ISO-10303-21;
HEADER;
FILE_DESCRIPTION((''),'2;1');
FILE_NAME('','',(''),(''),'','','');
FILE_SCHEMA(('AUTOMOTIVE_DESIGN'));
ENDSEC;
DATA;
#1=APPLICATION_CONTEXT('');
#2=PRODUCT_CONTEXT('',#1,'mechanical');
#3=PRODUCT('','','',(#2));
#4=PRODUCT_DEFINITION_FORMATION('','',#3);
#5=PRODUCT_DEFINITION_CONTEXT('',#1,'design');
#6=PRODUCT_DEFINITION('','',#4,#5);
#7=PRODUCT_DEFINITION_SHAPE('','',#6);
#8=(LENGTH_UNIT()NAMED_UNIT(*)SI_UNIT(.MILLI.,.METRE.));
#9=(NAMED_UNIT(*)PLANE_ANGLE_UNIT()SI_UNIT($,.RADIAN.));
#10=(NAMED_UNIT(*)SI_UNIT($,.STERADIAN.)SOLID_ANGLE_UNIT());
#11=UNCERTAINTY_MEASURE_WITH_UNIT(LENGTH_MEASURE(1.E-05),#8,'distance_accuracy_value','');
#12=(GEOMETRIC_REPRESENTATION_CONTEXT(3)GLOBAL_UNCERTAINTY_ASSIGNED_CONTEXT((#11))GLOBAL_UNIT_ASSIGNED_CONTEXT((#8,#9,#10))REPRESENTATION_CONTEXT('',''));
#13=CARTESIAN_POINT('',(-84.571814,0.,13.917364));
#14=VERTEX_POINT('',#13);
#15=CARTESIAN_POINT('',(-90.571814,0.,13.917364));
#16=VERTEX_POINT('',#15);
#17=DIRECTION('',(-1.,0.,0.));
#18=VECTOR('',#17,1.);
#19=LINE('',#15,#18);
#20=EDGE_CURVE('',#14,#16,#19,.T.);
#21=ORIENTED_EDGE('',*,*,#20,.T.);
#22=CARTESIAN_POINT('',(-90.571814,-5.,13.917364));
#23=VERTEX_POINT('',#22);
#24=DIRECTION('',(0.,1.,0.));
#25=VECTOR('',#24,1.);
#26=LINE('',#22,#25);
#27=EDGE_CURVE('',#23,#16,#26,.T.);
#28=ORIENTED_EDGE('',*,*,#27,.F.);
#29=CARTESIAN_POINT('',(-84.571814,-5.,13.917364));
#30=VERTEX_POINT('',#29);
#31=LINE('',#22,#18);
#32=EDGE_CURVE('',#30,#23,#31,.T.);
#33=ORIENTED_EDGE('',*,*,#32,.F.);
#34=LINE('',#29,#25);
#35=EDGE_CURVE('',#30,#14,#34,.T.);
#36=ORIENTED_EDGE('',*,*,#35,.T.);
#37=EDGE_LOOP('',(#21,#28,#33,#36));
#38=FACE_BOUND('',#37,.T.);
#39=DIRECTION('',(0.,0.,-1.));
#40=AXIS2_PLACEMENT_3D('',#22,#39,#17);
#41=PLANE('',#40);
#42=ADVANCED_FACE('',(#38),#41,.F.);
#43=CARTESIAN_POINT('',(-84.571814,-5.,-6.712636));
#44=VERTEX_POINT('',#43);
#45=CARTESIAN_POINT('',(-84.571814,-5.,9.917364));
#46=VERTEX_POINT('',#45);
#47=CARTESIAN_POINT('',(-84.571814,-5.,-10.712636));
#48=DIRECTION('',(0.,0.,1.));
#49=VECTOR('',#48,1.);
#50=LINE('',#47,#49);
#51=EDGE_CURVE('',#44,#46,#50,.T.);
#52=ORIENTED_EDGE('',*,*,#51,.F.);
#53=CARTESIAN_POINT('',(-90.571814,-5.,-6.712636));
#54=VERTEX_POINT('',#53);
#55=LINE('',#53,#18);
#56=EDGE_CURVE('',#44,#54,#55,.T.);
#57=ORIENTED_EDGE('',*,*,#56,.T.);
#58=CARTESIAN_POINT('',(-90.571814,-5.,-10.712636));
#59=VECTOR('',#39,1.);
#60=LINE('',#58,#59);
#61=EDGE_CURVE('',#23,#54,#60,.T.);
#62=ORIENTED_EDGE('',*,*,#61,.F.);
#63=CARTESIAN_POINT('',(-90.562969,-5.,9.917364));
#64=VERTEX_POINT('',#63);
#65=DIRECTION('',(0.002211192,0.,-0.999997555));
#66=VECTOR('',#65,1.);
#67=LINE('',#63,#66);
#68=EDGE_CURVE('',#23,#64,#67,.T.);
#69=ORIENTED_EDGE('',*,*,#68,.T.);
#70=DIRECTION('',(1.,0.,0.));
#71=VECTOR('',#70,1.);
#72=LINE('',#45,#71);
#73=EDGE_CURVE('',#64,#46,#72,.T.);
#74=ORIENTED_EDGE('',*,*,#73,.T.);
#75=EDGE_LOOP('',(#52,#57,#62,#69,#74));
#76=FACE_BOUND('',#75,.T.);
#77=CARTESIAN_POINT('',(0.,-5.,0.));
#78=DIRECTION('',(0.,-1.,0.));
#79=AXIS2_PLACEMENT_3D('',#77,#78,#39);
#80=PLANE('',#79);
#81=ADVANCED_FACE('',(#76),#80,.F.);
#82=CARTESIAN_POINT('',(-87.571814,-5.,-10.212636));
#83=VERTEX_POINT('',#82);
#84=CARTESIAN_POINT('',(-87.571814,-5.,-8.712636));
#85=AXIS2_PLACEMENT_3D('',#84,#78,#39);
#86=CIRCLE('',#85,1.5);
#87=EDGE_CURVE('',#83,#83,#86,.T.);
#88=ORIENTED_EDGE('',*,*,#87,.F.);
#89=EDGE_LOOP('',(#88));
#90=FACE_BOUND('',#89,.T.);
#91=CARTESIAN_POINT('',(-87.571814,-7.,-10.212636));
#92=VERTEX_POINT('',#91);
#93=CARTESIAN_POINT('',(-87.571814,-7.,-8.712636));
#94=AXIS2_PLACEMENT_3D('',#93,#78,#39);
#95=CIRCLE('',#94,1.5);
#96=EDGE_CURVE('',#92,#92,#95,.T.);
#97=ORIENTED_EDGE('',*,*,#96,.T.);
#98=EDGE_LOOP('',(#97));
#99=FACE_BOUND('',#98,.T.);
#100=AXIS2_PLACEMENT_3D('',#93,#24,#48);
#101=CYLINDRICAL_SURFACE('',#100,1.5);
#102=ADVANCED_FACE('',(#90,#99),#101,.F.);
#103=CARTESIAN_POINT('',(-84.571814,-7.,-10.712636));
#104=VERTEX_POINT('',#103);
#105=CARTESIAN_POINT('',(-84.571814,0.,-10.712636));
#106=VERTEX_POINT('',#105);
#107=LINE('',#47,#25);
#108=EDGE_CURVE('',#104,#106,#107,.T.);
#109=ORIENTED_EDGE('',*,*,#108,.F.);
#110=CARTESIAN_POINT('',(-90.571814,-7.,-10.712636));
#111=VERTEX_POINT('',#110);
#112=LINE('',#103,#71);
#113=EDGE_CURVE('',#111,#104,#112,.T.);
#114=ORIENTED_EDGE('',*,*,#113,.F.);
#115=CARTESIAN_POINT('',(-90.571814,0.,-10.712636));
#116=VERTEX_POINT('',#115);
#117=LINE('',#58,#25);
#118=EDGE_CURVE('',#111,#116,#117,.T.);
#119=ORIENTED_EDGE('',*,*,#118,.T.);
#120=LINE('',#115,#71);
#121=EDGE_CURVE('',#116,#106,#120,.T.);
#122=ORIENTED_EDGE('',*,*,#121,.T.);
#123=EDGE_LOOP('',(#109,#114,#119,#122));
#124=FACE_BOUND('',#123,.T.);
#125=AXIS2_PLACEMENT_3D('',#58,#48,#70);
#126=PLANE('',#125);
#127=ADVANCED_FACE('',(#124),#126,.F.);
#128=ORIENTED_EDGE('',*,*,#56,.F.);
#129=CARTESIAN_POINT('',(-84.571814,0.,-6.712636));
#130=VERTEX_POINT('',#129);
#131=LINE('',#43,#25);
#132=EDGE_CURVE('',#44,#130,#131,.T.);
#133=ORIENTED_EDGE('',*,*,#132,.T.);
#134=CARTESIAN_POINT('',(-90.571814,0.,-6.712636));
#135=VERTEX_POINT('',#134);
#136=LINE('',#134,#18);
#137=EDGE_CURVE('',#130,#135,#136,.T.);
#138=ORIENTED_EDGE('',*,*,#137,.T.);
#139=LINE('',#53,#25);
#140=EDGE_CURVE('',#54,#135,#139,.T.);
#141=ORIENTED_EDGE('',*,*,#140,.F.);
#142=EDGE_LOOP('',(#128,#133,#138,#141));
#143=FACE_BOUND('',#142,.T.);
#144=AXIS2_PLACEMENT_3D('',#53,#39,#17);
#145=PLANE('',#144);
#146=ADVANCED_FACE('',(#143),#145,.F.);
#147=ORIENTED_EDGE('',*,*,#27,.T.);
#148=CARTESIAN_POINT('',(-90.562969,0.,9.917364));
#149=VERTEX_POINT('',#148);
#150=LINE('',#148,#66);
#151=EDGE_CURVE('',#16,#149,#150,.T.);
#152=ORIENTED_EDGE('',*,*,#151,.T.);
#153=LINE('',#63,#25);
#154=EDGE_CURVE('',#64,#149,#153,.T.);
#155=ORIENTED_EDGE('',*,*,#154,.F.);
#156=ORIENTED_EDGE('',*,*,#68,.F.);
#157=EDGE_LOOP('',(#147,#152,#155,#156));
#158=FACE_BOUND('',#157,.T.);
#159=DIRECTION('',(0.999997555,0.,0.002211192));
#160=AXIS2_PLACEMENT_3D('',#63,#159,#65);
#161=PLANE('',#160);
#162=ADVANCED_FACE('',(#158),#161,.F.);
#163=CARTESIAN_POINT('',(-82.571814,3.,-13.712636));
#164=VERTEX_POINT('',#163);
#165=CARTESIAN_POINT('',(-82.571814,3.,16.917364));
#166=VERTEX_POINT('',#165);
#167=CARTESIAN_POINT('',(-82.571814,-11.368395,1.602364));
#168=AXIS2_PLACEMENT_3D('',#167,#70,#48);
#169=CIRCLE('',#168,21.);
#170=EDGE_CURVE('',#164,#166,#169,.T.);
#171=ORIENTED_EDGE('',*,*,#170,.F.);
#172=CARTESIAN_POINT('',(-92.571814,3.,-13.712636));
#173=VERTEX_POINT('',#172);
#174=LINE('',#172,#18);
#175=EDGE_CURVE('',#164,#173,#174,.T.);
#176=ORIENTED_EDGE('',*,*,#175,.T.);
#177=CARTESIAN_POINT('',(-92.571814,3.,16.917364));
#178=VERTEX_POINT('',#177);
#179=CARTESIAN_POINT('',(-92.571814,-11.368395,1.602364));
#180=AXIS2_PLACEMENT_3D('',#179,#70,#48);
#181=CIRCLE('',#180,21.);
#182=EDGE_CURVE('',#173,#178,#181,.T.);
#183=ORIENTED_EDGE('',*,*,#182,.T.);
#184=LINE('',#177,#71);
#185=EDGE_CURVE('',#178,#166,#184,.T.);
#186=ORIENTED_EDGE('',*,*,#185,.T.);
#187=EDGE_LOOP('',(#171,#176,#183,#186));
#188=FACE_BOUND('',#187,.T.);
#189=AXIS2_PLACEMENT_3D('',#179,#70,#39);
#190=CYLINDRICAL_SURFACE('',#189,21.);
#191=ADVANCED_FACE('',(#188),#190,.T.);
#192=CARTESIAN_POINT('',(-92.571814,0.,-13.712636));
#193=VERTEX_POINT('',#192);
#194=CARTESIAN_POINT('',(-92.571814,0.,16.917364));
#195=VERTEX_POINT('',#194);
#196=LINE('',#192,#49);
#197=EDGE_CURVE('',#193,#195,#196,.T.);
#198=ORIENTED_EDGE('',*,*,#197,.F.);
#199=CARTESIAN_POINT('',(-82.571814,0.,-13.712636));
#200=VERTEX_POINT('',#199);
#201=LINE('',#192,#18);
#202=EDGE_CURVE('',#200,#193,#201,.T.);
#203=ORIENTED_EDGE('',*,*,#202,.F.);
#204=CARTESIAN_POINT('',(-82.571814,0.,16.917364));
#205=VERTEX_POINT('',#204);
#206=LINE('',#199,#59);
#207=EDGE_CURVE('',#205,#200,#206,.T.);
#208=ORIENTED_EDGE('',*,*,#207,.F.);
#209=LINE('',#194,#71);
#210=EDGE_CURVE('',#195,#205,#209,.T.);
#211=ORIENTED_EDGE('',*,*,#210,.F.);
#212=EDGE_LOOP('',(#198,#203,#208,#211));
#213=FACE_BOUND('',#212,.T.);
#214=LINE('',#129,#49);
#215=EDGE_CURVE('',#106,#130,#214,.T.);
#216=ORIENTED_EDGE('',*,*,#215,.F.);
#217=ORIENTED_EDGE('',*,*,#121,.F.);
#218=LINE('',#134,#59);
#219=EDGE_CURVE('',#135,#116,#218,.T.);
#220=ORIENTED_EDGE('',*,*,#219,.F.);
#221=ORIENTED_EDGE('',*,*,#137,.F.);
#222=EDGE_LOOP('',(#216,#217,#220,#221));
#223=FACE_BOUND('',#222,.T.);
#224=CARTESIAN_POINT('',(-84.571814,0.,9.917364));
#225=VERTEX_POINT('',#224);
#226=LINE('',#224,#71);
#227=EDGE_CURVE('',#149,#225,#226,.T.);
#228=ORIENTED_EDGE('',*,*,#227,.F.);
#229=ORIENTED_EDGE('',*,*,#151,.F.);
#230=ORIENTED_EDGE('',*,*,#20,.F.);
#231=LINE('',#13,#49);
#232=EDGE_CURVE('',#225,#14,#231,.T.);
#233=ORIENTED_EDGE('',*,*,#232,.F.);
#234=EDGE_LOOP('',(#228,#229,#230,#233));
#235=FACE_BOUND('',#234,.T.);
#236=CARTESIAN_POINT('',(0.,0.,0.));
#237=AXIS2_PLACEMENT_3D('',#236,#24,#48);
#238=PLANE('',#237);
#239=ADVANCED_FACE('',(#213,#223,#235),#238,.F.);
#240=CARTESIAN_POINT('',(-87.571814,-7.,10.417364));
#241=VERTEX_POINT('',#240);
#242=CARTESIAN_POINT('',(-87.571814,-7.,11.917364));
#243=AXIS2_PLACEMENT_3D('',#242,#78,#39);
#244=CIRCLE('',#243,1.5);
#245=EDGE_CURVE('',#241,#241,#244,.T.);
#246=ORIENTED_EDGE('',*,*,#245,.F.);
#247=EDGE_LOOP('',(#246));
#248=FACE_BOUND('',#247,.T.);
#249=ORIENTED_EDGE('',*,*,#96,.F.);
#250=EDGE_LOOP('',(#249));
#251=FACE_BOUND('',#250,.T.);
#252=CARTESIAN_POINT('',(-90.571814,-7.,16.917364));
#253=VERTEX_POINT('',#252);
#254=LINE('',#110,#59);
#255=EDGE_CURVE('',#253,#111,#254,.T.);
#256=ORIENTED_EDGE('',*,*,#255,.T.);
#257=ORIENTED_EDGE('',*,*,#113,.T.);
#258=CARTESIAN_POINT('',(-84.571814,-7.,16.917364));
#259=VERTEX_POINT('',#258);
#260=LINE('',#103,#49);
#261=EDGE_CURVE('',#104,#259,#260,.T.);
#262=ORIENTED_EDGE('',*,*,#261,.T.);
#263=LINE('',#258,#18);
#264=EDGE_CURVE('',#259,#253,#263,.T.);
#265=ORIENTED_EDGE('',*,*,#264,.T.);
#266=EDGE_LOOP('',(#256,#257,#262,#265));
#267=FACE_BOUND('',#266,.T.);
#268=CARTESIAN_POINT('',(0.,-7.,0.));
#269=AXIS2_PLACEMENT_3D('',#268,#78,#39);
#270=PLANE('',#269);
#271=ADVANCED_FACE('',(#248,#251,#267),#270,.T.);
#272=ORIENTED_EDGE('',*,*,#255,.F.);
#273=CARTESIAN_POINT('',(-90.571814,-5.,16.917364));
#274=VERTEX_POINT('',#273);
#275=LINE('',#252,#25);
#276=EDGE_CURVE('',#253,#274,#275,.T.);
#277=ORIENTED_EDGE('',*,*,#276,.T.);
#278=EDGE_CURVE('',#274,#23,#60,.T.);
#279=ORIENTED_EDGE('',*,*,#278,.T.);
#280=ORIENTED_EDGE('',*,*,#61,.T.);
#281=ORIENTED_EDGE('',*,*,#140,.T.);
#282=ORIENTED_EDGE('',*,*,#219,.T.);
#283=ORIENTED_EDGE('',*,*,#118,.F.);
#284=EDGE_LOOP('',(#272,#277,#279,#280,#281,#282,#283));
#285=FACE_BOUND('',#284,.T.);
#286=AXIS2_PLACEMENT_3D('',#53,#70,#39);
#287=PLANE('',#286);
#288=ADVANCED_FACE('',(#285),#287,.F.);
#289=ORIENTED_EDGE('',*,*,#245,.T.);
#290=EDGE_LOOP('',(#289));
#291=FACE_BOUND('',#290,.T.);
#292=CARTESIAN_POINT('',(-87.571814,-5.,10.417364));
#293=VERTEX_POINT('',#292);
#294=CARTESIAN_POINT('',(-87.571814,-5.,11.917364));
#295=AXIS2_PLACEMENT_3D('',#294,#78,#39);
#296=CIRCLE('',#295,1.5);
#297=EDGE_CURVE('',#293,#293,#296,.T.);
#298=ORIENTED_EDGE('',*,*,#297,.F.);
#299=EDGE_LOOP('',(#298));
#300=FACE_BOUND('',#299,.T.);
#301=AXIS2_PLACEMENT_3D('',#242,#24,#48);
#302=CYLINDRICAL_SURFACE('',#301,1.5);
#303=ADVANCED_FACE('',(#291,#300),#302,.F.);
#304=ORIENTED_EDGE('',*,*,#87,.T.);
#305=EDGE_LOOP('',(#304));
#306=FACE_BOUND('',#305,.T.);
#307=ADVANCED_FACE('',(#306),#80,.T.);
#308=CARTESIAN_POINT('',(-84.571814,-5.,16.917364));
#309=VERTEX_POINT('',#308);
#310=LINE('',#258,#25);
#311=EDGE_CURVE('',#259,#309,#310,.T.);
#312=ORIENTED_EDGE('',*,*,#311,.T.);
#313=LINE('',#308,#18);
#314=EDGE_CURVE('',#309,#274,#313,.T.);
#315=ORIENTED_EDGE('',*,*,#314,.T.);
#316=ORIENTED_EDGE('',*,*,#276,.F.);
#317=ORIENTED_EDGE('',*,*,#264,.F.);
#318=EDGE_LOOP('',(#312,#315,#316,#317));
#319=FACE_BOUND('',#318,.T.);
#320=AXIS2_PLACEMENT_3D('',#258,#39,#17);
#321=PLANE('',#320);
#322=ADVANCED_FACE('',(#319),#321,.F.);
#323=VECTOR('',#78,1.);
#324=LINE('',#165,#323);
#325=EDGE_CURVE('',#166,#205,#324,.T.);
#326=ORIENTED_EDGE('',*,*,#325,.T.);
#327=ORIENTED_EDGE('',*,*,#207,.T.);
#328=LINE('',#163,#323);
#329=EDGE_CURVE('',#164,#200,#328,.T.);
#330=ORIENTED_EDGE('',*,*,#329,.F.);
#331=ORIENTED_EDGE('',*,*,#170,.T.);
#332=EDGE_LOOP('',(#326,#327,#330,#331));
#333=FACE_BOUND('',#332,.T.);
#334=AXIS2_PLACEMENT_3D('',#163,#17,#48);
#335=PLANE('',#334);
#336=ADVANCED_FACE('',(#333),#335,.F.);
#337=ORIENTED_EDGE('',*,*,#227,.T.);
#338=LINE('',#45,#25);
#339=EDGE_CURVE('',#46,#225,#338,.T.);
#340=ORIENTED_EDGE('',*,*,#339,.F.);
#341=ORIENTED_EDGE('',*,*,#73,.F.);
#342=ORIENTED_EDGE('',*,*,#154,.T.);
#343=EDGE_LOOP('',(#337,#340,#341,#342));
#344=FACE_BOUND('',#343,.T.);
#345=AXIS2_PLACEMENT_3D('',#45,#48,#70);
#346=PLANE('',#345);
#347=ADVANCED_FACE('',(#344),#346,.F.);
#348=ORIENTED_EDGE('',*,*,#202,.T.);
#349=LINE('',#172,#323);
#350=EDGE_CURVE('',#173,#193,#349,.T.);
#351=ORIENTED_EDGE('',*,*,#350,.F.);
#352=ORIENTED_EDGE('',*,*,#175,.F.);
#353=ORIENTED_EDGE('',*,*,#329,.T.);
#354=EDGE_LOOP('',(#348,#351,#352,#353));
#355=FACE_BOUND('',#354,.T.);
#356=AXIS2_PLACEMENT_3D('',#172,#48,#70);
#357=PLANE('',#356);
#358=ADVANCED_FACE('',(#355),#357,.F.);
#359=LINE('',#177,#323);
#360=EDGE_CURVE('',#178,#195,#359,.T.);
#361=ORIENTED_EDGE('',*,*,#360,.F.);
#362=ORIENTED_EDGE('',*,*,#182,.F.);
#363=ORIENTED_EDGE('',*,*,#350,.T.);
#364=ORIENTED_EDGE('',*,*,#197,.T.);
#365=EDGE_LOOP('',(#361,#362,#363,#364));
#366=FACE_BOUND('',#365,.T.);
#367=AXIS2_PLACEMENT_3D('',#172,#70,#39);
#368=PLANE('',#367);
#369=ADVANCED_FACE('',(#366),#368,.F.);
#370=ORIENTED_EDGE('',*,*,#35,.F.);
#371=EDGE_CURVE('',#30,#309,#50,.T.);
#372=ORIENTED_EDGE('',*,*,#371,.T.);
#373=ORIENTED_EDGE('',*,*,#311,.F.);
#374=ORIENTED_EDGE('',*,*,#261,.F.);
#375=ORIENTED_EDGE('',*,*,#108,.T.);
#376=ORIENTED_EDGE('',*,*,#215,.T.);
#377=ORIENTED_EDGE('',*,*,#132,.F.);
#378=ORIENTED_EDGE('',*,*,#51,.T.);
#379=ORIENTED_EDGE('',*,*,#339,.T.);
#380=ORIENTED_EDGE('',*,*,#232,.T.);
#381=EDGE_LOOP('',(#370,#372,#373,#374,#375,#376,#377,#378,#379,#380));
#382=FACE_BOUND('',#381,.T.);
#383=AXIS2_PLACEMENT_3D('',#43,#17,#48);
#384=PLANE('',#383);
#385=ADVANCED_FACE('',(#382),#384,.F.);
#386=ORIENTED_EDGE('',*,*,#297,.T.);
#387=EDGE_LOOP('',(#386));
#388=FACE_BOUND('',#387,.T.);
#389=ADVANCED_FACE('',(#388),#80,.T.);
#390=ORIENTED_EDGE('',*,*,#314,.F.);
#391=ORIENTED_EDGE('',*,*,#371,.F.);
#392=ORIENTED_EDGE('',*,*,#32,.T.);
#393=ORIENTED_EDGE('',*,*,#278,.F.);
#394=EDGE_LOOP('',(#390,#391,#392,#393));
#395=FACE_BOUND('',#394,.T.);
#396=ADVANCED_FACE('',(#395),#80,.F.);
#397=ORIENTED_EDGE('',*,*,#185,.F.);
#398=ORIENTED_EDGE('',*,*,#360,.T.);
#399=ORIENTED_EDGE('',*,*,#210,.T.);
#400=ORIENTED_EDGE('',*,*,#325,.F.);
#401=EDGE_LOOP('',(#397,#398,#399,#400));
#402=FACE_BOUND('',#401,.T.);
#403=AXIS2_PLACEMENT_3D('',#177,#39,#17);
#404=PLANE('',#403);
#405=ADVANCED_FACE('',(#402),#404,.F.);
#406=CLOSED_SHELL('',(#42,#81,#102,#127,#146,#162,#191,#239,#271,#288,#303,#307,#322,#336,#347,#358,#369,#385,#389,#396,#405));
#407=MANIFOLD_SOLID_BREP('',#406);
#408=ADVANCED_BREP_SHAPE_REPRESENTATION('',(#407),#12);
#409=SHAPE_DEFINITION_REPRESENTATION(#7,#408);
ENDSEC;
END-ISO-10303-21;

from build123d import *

# Parameters (mm, degrees)
SKETCH_1_W      = 10
SKETCH_1_H      = 30.63
EXTRUDE_1_DEPTH = 3
EXTRUDE_2_DEPTH = 10
SKETCH_3_W      = 6
SKETCH_3_H      = 4
EXTRUDE_3_DEPTH = 5
SKETCH_4_W      = 6
SKETCH_4_H      = 27.63
SKETCH_4_R      = 1.5
EXTRUDE_4_DEPTH = 2


with BuildPart() as part:
    # Эскиз1 → Бобышка-Вытянуть1 (new body)
    with BuildSketch(Plane(origin=(0, 0, 0), x_dir=(1, 0, 0), z_dir=(0, 1, 0))):
        with Locations((-87.571813581, -1.602363593)):
            Rectangle(SKETCH_1_W, SKETCH_1_H)
    extrude(amount=EXTRUDE_1_DEPTH)

    # Эскиз2 → Бобышка-Вытянуть2 (add)
    with BuildSketch(Plane(origin=(-82.571813581, 0, 0), x_dir=(0, 0, -1), z_dir=(1, 0, 0))):
        with BuildLine():
            Line((-16.917363593, 3), (13.712636407, 3))
            ThreePointArc((13.712636407, 3), (-1.602363593, 9.631604996), (-16.917363593, 3))
        make_face()
    extrude(amount=-EXTRUDE_2_DEPTH)

    # Эскиз3 → Бобышка-Вытянуть3 (add)
    with BuildSketch(Plane.XZ):
        with Locations((-87.571813581, -8.712636407)):
            Rectangle(SKETCH_3_W, SKETCH_3_H)
        Polygon((-90.562968792, 9.917363593), (-90.571813581, 13.917363593), (-84.571813581, 13.917363593), (-84.571813581, 9.917363593), align=None)
    extrude(amount=EXTRUDE_3_DEPTH)

    # Эскиз4 → Бобышка-Вытянуть4 (add)
    with BuildSketch(Plane.XZ.offset(5)):
        with Locations((-87.571813581, 3.102363593)):
            Rectangle(SKETCH_4_W, SKETCH_4_H)
        with Locations(Location((-87.571813581, 11.917363593, 0), (0, 0, 270))):
            Circle(SKETCH_4_R, mode=Mode.SUBTRACT)
        with Locations(Location((-87.571813581, -8.712636407, 0), (0, 0, 270))):
            Circle(SKETCH_4_R, mode=Mode.SUBTRACT)
    extrude(amount=EXTRUDE_4_DEPTH)


solid = part.part
